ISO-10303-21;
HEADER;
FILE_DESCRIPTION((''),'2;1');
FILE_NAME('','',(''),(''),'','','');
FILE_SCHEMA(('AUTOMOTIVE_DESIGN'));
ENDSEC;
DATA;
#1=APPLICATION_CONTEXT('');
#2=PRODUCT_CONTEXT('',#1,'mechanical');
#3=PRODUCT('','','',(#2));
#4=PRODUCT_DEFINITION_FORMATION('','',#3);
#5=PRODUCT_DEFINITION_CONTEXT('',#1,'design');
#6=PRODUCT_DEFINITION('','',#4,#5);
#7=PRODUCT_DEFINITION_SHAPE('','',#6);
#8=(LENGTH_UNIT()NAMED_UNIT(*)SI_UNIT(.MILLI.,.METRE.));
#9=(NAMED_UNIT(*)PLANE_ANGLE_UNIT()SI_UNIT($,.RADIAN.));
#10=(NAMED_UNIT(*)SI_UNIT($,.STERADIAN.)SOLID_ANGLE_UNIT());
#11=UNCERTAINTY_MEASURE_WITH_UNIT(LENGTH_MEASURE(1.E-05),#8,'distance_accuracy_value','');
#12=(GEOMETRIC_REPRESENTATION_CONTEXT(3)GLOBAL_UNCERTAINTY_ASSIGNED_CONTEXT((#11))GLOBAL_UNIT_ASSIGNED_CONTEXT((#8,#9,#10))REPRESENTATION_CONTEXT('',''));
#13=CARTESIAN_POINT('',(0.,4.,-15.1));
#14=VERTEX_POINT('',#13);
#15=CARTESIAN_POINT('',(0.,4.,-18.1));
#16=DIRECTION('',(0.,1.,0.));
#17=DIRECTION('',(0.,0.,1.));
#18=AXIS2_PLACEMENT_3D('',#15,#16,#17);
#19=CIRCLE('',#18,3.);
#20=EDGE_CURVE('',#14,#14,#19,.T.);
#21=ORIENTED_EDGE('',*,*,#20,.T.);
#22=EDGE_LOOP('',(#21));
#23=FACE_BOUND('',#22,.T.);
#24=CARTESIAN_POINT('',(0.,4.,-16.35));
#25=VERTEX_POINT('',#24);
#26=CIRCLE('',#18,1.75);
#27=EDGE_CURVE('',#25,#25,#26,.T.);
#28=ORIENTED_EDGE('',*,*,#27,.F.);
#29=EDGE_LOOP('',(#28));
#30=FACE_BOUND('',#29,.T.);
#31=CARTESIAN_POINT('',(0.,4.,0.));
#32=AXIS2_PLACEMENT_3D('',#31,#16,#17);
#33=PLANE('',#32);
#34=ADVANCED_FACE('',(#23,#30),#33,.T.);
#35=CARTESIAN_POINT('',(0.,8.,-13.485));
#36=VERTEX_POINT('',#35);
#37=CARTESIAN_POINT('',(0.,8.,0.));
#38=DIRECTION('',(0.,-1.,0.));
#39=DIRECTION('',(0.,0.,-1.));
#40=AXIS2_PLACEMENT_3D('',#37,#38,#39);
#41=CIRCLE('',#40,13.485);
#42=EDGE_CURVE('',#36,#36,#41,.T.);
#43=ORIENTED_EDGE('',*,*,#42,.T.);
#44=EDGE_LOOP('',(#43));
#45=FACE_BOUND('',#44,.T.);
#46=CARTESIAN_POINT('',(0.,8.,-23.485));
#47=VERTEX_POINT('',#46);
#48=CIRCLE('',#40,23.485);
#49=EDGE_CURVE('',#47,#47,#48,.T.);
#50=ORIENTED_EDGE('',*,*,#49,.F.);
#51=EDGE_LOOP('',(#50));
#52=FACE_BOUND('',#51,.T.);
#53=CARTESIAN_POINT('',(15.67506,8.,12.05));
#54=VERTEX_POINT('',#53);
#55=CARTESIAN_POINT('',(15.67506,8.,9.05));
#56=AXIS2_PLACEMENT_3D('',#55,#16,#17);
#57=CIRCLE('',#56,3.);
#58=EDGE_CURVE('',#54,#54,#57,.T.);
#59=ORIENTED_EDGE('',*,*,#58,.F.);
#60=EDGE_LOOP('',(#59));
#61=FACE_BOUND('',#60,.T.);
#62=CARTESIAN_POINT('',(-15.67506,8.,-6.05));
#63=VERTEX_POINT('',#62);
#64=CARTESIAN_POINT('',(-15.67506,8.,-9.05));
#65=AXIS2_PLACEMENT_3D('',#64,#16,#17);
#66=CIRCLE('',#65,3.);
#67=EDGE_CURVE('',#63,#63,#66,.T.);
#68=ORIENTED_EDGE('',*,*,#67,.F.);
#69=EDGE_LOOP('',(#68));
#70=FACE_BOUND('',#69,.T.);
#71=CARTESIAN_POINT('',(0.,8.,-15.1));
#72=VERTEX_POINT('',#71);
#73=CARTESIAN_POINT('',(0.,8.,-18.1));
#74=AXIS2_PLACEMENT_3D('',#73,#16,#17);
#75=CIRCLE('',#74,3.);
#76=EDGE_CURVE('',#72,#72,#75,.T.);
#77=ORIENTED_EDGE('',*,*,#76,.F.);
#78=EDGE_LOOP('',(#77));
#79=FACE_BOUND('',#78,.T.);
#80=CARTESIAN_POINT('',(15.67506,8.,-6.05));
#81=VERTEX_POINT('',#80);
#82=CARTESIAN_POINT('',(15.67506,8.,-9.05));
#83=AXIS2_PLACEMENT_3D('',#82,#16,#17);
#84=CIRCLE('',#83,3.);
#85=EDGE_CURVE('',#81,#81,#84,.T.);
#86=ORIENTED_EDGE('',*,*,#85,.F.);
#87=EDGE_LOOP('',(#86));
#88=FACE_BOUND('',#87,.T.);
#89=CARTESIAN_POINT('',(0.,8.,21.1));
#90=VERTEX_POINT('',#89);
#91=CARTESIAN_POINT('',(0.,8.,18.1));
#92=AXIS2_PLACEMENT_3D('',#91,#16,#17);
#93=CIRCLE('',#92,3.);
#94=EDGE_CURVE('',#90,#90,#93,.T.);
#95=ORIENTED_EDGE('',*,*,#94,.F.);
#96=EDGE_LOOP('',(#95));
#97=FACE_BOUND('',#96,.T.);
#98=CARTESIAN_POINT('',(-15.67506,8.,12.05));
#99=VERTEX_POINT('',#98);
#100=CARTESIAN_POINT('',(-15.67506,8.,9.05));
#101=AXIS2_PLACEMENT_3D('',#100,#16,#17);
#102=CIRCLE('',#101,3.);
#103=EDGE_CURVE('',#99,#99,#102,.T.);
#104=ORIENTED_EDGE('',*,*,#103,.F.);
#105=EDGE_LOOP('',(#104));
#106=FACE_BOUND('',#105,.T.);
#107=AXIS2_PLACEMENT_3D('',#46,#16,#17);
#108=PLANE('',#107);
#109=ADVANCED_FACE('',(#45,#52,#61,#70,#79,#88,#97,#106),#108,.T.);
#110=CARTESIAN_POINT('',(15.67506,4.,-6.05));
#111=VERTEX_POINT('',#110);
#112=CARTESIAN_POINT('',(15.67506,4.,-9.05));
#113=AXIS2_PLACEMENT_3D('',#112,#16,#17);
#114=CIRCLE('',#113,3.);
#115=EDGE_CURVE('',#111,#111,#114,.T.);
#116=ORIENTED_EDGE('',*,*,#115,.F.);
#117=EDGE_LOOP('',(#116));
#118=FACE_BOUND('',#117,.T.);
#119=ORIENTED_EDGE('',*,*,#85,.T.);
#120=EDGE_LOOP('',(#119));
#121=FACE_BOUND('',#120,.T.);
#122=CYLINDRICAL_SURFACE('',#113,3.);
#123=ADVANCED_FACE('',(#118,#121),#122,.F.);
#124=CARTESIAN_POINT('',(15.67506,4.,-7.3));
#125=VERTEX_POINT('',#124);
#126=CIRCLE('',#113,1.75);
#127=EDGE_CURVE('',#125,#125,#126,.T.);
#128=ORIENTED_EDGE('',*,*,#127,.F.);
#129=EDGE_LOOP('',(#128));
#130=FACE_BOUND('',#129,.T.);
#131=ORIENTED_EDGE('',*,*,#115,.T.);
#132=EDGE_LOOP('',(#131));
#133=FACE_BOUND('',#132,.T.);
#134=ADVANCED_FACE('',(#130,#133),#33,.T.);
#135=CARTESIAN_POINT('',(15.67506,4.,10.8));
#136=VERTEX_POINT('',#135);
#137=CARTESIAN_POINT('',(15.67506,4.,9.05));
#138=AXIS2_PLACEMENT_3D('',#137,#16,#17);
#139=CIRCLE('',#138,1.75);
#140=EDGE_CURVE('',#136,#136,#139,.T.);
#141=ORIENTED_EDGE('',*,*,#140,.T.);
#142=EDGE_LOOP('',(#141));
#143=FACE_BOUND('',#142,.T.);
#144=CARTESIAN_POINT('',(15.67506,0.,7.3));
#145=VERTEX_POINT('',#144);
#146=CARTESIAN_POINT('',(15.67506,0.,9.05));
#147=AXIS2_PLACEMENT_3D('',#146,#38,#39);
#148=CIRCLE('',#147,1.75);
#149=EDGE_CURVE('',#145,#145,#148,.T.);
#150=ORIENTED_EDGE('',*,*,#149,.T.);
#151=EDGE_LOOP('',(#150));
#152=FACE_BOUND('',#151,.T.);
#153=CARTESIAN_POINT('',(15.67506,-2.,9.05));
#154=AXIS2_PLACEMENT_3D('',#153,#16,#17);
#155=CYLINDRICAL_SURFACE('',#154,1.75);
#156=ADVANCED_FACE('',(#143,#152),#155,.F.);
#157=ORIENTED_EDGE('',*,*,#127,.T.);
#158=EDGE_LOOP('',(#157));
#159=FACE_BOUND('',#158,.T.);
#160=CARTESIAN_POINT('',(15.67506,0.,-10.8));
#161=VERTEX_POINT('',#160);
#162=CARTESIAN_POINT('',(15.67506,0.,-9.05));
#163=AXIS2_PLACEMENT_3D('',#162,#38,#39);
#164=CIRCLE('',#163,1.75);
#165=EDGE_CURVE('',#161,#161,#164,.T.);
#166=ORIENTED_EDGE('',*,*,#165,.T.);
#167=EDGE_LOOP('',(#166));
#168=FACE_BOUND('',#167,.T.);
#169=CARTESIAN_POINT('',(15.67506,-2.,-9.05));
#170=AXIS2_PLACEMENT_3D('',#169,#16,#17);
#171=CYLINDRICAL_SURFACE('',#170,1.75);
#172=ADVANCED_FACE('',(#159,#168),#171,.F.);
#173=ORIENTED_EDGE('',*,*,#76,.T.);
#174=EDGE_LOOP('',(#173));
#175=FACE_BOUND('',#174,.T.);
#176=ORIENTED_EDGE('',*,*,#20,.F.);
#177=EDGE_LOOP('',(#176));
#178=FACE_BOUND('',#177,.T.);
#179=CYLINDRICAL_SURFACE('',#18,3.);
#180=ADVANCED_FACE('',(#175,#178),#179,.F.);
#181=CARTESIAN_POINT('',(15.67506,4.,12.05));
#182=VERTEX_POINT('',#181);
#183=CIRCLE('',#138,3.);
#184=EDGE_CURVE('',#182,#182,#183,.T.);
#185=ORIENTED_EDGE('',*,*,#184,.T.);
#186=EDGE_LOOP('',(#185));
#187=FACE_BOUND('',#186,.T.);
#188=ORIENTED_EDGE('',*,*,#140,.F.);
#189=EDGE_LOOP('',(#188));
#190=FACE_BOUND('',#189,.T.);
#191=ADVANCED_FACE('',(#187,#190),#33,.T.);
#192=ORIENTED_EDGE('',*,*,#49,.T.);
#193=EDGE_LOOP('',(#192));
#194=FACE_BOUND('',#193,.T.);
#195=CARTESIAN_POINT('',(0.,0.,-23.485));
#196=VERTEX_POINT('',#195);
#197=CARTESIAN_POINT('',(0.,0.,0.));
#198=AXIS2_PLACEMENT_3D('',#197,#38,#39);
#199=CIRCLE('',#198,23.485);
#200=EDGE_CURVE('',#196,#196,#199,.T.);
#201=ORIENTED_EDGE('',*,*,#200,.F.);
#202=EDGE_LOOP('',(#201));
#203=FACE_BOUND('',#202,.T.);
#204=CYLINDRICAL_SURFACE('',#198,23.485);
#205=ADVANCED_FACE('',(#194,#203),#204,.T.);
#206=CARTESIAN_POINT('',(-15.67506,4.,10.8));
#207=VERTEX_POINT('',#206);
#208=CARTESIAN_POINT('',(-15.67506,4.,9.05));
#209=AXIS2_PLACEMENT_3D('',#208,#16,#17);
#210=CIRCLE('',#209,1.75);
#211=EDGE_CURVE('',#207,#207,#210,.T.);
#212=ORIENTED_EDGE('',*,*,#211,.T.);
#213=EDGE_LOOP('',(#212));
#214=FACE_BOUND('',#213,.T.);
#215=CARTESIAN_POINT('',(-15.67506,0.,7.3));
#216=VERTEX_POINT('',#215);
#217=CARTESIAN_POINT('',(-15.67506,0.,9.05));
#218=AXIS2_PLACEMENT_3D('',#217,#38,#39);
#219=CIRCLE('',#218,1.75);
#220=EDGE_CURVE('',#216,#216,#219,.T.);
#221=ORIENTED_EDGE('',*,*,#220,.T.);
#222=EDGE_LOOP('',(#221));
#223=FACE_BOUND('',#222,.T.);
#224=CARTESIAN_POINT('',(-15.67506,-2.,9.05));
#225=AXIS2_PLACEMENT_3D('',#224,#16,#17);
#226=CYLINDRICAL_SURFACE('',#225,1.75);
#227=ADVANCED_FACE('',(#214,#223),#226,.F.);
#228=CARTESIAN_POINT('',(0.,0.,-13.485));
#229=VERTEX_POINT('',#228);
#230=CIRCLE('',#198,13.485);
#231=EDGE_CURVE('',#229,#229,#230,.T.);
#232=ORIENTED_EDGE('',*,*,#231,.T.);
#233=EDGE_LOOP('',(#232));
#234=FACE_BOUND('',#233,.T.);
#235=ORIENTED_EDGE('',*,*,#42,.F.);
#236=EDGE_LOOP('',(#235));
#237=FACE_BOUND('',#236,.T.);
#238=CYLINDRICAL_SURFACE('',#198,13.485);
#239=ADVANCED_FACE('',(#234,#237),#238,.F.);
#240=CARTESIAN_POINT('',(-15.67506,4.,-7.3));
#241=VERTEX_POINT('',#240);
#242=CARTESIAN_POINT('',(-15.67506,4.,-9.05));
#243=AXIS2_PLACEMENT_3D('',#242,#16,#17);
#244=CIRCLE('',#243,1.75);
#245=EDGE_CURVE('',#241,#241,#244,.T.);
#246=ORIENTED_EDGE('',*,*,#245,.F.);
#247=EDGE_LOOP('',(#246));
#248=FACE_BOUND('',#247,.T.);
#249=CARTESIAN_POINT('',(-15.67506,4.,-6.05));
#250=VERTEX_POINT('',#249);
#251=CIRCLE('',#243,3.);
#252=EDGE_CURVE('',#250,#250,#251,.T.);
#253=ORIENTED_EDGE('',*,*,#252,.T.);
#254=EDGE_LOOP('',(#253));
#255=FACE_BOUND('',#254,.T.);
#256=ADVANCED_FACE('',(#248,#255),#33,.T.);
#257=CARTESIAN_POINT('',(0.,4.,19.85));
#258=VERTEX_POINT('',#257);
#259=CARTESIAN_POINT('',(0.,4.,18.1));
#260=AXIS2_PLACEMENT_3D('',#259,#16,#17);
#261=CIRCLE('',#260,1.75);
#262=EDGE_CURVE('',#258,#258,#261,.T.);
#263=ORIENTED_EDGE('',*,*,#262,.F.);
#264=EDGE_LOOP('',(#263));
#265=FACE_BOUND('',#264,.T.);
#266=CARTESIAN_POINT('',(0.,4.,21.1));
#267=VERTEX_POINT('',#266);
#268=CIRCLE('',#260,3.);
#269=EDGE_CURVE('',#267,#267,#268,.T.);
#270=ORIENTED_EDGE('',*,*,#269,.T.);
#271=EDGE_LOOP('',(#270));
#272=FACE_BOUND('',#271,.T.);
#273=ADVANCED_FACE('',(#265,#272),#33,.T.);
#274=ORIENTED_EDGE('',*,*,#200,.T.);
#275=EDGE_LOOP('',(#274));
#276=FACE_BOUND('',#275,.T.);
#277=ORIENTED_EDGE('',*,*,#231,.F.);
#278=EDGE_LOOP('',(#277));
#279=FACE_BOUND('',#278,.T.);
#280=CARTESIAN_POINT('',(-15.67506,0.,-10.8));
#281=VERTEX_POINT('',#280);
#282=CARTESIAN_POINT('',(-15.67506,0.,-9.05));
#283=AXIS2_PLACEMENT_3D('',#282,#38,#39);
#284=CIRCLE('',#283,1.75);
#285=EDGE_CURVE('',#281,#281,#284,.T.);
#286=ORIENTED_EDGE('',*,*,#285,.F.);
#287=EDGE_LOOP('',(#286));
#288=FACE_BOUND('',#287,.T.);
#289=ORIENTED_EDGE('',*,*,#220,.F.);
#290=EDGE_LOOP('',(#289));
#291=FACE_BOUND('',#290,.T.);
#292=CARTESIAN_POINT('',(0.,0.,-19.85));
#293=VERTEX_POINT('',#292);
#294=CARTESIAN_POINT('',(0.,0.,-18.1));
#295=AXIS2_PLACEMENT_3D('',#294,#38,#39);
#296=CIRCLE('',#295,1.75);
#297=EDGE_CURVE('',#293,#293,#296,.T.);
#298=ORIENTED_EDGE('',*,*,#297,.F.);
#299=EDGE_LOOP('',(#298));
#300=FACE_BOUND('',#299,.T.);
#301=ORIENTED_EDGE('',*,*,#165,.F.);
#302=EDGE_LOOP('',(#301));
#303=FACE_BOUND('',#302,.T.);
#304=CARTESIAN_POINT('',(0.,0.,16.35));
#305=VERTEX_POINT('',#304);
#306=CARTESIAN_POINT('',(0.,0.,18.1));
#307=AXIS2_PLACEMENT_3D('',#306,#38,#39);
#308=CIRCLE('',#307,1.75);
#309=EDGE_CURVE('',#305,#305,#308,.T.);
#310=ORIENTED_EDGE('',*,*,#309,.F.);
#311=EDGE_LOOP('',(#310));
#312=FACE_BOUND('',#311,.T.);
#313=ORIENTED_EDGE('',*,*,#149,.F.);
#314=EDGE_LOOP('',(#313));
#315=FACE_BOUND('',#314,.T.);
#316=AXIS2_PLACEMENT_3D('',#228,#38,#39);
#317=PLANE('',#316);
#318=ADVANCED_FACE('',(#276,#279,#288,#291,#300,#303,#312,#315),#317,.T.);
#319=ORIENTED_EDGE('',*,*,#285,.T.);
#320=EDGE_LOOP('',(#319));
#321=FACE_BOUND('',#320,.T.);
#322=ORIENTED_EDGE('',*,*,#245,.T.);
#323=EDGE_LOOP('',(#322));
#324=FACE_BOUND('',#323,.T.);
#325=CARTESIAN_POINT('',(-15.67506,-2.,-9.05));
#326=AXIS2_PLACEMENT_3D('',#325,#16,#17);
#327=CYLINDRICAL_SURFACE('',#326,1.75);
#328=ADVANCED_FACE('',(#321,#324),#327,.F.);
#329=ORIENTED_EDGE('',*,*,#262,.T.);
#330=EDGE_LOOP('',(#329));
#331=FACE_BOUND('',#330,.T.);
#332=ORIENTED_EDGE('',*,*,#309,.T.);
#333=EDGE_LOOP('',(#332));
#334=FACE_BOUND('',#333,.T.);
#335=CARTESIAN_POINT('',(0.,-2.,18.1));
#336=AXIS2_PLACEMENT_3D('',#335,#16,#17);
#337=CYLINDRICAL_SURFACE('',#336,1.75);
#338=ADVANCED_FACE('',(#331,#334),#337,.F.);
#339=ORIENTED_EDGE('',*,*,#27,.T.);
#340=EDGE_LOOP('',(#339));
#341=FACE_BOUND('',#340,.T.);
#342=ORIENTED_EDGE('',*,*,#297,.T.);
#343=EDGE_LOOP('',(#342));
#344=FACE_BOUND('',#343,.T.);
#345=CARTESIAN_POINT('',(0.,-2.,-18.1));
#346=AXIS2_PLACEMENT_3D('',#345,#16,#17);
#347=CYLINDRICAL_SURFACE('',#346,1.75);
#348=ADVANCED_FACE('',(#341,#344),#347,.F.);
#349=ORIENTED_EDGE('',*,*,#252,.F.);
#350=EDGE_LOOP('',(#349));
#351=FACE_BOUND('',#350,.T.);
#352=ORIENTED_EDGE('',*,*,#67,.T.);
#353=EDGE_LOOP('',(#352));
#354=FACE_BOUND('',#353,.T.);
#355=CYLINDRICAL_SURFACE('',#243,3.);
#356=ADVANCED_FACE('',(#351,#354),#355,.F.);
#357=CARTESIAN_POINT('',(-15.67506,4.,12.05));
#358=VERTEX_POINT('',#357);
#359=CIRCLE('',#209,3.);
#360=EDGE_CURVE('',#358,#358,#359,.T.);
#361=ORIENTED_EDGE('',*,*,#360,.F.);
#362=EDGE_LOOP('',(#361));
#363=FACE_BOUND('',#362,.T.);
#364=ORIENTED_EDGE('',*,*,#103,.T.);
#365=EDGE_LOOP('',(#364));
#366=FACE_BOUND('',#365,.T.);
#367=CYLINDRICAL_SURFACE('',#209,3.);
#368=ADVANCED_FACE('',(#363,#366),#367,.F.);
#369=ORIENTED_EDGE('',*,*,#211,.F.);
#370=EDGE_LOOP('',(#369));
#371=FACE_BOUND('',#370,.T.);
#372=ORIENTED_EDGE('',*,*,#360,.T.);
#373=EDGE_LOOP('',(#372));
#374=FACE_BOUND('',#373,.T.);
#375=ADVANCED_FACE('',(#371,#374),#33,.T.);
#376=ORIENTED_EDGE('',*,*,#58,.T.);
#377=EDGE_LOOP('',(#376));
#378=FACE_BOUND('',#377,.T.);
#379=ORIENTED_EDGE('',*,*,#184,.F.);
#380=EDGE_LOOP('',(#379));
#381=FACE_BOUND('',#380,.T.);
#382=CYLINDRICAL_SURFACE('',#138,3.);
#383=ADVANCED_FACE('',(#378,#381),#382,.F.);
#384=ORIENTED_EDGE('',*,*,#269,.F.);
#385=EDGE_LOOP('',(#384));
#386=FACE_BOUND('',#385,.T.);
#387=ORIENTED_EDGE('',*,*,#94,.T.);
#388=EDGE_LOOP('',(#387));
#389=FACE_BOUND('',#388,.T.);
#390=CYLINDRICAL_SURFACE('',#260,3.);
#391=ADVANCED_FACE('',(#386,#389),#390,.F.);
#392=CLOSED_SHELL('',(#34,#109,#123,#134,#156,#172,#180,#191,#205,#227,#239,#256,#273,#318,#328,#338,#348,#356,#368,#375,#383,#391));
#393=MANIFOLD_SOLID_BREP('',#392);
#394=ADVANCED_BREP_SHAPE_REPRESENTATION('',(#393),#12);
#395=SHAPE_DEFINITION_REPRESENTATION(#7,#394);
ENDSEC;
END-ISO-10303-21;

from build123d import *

# Parameters (mm, degrees)
SKETCH1_W          = 10
SKETCH1_H          = 8
SKETCH2_R          = 1.75
CUT_EXTRUDE1_DEPTH = 10
SKETCH2_3_R        = 3
SKETCH2_3_R_2      = 1.75
CUT_EXTRUDE2_DEPTH = 4


with BuildPart() as part:
    # Sketch1 → Revolve1 (revolve)
    with BuildSketch(Plane(origin=(0, 0, 0), x_dir=(0, 0, -1), z_dir=(1, 0, 0))):
        with Locations((18.485, 4)):
            Rectangle(SKETCH1_W, SKETCH1_H)
    revolve(axis=Axis((0, 0, 0), (0, 1, 0)))

    # Sketch2 → Cut-Extrude1 (cut)
    with BuildSketch(Plane(origin=(0, 8, 0), x_dir=(1, 0, 0), z_dir=(0, 1, 0))):
        with Locations((0, 18.1)):
            Circle(SKETCH2_R)
        with Locations((15.675059808, 9.05)):
            Circle(SKETCH2_R)
        with Locations((15.675059808, -9.05)):
            Circle(SKETCH2_R)
        with Locations((0, -18.1)):
            Circle(SKETCH2_R)
        with Locations((-15.675059808, -9.05)):
            Circle(SKETCH2_R)
        with Locations((-15.675059808, 9.05)):
            Circle(SKETCH2_R)
    extrude(amount=-CUT_EXTRUDE1_DEPTH, mode=Mode.SUBTRACT)

    # Sketch2<3> → Cut-Extrude2 (cut)
    # profile 1 of 6: a face of its own
    with BuildSketch(Plane(origin=(0, 8, 0), x_dir=(1, 0, 0), z_dir=(0, 1, 0))):
        with Locations((0, 18.1)):
            Circle(SKETCH2_3_R)
        with Locations((0, 18.1)):
            Circle(SKETCH2_3_R_2, mode=Mode.SUBTRACT)
    # profile 2 of 6: a face of its own
    with BuildSketch(Plane(origin=(0, 8, 0), x_dir=(1, 0, 0), z_dir=(0, 1, 0))):
        with Locations((15.675059808, 9.05)):
            Circle(SKETCH2_3_R)
        with Locations((15.675059808, 9.05)):
            Circle(SKETCH2_3_R_2, mode=Mode.SUBTRACT)
    # profile 3 of 6: a face of its own
    with BuildSketch(Plane(origin=(0, 8, 0), x_dir=(1, 0, 0), z_dir=(0, 1, 0))):
        with Locations((15.675059808, -9.05)):
            Circle(SKETCH2_3_R)
        with Locations((15.675059808, -9.05)):
            Circle(SKETCH2_3_R_2, mode=Mode.SUBTRACT)
    # profile 4 of 6: a face of its own
    with BuildSketch(Plane(origin=(0, 8, 0), x_dir=(1, 0, 0), z_dir=(0, 1, 0))):
        with Locations((0, -18.1)):
            Circle(SKETCH2_3_R)
        with Locations((0, -18.1)):
            Circle(SKETCH2_3_R_2, mode=Mode.SUBTRACT)
    # profile 5 of 6: a face of its own
    with BuildSketch(Plane(origin=(0, 8, 0), x_dir=(1, 0, 0), z_dir=(0, 1, 0))):
        with Locations((-15.675059808, -9.05)):
            Circle(SKETCH2_3_R)
        with Locations((-15.675059808, -9.05)):
            Circle(SKETCH2_3_R_2, mode=Mode.SUBTRACT)
    # profile 6 of 6: a face of its own
    with BuildSketch(Plane(origin=(0, 8, 0), x_dir=(1, 0, 0), z_dir=(0, 1, 0))):
        with Locations((-15.675059808, 9.05)):
            Circle(SKETCH2_3_R)
        with Locations((-15.675059808, 9.05)):
            Circle(SKETCH2_3_R_2, mode=Mode.SUBTRACT)
    extrude(amount=-CUT_EXTRUDE2_DEPTH, mode=Mode.SUBTRACT)


solid = part.part
